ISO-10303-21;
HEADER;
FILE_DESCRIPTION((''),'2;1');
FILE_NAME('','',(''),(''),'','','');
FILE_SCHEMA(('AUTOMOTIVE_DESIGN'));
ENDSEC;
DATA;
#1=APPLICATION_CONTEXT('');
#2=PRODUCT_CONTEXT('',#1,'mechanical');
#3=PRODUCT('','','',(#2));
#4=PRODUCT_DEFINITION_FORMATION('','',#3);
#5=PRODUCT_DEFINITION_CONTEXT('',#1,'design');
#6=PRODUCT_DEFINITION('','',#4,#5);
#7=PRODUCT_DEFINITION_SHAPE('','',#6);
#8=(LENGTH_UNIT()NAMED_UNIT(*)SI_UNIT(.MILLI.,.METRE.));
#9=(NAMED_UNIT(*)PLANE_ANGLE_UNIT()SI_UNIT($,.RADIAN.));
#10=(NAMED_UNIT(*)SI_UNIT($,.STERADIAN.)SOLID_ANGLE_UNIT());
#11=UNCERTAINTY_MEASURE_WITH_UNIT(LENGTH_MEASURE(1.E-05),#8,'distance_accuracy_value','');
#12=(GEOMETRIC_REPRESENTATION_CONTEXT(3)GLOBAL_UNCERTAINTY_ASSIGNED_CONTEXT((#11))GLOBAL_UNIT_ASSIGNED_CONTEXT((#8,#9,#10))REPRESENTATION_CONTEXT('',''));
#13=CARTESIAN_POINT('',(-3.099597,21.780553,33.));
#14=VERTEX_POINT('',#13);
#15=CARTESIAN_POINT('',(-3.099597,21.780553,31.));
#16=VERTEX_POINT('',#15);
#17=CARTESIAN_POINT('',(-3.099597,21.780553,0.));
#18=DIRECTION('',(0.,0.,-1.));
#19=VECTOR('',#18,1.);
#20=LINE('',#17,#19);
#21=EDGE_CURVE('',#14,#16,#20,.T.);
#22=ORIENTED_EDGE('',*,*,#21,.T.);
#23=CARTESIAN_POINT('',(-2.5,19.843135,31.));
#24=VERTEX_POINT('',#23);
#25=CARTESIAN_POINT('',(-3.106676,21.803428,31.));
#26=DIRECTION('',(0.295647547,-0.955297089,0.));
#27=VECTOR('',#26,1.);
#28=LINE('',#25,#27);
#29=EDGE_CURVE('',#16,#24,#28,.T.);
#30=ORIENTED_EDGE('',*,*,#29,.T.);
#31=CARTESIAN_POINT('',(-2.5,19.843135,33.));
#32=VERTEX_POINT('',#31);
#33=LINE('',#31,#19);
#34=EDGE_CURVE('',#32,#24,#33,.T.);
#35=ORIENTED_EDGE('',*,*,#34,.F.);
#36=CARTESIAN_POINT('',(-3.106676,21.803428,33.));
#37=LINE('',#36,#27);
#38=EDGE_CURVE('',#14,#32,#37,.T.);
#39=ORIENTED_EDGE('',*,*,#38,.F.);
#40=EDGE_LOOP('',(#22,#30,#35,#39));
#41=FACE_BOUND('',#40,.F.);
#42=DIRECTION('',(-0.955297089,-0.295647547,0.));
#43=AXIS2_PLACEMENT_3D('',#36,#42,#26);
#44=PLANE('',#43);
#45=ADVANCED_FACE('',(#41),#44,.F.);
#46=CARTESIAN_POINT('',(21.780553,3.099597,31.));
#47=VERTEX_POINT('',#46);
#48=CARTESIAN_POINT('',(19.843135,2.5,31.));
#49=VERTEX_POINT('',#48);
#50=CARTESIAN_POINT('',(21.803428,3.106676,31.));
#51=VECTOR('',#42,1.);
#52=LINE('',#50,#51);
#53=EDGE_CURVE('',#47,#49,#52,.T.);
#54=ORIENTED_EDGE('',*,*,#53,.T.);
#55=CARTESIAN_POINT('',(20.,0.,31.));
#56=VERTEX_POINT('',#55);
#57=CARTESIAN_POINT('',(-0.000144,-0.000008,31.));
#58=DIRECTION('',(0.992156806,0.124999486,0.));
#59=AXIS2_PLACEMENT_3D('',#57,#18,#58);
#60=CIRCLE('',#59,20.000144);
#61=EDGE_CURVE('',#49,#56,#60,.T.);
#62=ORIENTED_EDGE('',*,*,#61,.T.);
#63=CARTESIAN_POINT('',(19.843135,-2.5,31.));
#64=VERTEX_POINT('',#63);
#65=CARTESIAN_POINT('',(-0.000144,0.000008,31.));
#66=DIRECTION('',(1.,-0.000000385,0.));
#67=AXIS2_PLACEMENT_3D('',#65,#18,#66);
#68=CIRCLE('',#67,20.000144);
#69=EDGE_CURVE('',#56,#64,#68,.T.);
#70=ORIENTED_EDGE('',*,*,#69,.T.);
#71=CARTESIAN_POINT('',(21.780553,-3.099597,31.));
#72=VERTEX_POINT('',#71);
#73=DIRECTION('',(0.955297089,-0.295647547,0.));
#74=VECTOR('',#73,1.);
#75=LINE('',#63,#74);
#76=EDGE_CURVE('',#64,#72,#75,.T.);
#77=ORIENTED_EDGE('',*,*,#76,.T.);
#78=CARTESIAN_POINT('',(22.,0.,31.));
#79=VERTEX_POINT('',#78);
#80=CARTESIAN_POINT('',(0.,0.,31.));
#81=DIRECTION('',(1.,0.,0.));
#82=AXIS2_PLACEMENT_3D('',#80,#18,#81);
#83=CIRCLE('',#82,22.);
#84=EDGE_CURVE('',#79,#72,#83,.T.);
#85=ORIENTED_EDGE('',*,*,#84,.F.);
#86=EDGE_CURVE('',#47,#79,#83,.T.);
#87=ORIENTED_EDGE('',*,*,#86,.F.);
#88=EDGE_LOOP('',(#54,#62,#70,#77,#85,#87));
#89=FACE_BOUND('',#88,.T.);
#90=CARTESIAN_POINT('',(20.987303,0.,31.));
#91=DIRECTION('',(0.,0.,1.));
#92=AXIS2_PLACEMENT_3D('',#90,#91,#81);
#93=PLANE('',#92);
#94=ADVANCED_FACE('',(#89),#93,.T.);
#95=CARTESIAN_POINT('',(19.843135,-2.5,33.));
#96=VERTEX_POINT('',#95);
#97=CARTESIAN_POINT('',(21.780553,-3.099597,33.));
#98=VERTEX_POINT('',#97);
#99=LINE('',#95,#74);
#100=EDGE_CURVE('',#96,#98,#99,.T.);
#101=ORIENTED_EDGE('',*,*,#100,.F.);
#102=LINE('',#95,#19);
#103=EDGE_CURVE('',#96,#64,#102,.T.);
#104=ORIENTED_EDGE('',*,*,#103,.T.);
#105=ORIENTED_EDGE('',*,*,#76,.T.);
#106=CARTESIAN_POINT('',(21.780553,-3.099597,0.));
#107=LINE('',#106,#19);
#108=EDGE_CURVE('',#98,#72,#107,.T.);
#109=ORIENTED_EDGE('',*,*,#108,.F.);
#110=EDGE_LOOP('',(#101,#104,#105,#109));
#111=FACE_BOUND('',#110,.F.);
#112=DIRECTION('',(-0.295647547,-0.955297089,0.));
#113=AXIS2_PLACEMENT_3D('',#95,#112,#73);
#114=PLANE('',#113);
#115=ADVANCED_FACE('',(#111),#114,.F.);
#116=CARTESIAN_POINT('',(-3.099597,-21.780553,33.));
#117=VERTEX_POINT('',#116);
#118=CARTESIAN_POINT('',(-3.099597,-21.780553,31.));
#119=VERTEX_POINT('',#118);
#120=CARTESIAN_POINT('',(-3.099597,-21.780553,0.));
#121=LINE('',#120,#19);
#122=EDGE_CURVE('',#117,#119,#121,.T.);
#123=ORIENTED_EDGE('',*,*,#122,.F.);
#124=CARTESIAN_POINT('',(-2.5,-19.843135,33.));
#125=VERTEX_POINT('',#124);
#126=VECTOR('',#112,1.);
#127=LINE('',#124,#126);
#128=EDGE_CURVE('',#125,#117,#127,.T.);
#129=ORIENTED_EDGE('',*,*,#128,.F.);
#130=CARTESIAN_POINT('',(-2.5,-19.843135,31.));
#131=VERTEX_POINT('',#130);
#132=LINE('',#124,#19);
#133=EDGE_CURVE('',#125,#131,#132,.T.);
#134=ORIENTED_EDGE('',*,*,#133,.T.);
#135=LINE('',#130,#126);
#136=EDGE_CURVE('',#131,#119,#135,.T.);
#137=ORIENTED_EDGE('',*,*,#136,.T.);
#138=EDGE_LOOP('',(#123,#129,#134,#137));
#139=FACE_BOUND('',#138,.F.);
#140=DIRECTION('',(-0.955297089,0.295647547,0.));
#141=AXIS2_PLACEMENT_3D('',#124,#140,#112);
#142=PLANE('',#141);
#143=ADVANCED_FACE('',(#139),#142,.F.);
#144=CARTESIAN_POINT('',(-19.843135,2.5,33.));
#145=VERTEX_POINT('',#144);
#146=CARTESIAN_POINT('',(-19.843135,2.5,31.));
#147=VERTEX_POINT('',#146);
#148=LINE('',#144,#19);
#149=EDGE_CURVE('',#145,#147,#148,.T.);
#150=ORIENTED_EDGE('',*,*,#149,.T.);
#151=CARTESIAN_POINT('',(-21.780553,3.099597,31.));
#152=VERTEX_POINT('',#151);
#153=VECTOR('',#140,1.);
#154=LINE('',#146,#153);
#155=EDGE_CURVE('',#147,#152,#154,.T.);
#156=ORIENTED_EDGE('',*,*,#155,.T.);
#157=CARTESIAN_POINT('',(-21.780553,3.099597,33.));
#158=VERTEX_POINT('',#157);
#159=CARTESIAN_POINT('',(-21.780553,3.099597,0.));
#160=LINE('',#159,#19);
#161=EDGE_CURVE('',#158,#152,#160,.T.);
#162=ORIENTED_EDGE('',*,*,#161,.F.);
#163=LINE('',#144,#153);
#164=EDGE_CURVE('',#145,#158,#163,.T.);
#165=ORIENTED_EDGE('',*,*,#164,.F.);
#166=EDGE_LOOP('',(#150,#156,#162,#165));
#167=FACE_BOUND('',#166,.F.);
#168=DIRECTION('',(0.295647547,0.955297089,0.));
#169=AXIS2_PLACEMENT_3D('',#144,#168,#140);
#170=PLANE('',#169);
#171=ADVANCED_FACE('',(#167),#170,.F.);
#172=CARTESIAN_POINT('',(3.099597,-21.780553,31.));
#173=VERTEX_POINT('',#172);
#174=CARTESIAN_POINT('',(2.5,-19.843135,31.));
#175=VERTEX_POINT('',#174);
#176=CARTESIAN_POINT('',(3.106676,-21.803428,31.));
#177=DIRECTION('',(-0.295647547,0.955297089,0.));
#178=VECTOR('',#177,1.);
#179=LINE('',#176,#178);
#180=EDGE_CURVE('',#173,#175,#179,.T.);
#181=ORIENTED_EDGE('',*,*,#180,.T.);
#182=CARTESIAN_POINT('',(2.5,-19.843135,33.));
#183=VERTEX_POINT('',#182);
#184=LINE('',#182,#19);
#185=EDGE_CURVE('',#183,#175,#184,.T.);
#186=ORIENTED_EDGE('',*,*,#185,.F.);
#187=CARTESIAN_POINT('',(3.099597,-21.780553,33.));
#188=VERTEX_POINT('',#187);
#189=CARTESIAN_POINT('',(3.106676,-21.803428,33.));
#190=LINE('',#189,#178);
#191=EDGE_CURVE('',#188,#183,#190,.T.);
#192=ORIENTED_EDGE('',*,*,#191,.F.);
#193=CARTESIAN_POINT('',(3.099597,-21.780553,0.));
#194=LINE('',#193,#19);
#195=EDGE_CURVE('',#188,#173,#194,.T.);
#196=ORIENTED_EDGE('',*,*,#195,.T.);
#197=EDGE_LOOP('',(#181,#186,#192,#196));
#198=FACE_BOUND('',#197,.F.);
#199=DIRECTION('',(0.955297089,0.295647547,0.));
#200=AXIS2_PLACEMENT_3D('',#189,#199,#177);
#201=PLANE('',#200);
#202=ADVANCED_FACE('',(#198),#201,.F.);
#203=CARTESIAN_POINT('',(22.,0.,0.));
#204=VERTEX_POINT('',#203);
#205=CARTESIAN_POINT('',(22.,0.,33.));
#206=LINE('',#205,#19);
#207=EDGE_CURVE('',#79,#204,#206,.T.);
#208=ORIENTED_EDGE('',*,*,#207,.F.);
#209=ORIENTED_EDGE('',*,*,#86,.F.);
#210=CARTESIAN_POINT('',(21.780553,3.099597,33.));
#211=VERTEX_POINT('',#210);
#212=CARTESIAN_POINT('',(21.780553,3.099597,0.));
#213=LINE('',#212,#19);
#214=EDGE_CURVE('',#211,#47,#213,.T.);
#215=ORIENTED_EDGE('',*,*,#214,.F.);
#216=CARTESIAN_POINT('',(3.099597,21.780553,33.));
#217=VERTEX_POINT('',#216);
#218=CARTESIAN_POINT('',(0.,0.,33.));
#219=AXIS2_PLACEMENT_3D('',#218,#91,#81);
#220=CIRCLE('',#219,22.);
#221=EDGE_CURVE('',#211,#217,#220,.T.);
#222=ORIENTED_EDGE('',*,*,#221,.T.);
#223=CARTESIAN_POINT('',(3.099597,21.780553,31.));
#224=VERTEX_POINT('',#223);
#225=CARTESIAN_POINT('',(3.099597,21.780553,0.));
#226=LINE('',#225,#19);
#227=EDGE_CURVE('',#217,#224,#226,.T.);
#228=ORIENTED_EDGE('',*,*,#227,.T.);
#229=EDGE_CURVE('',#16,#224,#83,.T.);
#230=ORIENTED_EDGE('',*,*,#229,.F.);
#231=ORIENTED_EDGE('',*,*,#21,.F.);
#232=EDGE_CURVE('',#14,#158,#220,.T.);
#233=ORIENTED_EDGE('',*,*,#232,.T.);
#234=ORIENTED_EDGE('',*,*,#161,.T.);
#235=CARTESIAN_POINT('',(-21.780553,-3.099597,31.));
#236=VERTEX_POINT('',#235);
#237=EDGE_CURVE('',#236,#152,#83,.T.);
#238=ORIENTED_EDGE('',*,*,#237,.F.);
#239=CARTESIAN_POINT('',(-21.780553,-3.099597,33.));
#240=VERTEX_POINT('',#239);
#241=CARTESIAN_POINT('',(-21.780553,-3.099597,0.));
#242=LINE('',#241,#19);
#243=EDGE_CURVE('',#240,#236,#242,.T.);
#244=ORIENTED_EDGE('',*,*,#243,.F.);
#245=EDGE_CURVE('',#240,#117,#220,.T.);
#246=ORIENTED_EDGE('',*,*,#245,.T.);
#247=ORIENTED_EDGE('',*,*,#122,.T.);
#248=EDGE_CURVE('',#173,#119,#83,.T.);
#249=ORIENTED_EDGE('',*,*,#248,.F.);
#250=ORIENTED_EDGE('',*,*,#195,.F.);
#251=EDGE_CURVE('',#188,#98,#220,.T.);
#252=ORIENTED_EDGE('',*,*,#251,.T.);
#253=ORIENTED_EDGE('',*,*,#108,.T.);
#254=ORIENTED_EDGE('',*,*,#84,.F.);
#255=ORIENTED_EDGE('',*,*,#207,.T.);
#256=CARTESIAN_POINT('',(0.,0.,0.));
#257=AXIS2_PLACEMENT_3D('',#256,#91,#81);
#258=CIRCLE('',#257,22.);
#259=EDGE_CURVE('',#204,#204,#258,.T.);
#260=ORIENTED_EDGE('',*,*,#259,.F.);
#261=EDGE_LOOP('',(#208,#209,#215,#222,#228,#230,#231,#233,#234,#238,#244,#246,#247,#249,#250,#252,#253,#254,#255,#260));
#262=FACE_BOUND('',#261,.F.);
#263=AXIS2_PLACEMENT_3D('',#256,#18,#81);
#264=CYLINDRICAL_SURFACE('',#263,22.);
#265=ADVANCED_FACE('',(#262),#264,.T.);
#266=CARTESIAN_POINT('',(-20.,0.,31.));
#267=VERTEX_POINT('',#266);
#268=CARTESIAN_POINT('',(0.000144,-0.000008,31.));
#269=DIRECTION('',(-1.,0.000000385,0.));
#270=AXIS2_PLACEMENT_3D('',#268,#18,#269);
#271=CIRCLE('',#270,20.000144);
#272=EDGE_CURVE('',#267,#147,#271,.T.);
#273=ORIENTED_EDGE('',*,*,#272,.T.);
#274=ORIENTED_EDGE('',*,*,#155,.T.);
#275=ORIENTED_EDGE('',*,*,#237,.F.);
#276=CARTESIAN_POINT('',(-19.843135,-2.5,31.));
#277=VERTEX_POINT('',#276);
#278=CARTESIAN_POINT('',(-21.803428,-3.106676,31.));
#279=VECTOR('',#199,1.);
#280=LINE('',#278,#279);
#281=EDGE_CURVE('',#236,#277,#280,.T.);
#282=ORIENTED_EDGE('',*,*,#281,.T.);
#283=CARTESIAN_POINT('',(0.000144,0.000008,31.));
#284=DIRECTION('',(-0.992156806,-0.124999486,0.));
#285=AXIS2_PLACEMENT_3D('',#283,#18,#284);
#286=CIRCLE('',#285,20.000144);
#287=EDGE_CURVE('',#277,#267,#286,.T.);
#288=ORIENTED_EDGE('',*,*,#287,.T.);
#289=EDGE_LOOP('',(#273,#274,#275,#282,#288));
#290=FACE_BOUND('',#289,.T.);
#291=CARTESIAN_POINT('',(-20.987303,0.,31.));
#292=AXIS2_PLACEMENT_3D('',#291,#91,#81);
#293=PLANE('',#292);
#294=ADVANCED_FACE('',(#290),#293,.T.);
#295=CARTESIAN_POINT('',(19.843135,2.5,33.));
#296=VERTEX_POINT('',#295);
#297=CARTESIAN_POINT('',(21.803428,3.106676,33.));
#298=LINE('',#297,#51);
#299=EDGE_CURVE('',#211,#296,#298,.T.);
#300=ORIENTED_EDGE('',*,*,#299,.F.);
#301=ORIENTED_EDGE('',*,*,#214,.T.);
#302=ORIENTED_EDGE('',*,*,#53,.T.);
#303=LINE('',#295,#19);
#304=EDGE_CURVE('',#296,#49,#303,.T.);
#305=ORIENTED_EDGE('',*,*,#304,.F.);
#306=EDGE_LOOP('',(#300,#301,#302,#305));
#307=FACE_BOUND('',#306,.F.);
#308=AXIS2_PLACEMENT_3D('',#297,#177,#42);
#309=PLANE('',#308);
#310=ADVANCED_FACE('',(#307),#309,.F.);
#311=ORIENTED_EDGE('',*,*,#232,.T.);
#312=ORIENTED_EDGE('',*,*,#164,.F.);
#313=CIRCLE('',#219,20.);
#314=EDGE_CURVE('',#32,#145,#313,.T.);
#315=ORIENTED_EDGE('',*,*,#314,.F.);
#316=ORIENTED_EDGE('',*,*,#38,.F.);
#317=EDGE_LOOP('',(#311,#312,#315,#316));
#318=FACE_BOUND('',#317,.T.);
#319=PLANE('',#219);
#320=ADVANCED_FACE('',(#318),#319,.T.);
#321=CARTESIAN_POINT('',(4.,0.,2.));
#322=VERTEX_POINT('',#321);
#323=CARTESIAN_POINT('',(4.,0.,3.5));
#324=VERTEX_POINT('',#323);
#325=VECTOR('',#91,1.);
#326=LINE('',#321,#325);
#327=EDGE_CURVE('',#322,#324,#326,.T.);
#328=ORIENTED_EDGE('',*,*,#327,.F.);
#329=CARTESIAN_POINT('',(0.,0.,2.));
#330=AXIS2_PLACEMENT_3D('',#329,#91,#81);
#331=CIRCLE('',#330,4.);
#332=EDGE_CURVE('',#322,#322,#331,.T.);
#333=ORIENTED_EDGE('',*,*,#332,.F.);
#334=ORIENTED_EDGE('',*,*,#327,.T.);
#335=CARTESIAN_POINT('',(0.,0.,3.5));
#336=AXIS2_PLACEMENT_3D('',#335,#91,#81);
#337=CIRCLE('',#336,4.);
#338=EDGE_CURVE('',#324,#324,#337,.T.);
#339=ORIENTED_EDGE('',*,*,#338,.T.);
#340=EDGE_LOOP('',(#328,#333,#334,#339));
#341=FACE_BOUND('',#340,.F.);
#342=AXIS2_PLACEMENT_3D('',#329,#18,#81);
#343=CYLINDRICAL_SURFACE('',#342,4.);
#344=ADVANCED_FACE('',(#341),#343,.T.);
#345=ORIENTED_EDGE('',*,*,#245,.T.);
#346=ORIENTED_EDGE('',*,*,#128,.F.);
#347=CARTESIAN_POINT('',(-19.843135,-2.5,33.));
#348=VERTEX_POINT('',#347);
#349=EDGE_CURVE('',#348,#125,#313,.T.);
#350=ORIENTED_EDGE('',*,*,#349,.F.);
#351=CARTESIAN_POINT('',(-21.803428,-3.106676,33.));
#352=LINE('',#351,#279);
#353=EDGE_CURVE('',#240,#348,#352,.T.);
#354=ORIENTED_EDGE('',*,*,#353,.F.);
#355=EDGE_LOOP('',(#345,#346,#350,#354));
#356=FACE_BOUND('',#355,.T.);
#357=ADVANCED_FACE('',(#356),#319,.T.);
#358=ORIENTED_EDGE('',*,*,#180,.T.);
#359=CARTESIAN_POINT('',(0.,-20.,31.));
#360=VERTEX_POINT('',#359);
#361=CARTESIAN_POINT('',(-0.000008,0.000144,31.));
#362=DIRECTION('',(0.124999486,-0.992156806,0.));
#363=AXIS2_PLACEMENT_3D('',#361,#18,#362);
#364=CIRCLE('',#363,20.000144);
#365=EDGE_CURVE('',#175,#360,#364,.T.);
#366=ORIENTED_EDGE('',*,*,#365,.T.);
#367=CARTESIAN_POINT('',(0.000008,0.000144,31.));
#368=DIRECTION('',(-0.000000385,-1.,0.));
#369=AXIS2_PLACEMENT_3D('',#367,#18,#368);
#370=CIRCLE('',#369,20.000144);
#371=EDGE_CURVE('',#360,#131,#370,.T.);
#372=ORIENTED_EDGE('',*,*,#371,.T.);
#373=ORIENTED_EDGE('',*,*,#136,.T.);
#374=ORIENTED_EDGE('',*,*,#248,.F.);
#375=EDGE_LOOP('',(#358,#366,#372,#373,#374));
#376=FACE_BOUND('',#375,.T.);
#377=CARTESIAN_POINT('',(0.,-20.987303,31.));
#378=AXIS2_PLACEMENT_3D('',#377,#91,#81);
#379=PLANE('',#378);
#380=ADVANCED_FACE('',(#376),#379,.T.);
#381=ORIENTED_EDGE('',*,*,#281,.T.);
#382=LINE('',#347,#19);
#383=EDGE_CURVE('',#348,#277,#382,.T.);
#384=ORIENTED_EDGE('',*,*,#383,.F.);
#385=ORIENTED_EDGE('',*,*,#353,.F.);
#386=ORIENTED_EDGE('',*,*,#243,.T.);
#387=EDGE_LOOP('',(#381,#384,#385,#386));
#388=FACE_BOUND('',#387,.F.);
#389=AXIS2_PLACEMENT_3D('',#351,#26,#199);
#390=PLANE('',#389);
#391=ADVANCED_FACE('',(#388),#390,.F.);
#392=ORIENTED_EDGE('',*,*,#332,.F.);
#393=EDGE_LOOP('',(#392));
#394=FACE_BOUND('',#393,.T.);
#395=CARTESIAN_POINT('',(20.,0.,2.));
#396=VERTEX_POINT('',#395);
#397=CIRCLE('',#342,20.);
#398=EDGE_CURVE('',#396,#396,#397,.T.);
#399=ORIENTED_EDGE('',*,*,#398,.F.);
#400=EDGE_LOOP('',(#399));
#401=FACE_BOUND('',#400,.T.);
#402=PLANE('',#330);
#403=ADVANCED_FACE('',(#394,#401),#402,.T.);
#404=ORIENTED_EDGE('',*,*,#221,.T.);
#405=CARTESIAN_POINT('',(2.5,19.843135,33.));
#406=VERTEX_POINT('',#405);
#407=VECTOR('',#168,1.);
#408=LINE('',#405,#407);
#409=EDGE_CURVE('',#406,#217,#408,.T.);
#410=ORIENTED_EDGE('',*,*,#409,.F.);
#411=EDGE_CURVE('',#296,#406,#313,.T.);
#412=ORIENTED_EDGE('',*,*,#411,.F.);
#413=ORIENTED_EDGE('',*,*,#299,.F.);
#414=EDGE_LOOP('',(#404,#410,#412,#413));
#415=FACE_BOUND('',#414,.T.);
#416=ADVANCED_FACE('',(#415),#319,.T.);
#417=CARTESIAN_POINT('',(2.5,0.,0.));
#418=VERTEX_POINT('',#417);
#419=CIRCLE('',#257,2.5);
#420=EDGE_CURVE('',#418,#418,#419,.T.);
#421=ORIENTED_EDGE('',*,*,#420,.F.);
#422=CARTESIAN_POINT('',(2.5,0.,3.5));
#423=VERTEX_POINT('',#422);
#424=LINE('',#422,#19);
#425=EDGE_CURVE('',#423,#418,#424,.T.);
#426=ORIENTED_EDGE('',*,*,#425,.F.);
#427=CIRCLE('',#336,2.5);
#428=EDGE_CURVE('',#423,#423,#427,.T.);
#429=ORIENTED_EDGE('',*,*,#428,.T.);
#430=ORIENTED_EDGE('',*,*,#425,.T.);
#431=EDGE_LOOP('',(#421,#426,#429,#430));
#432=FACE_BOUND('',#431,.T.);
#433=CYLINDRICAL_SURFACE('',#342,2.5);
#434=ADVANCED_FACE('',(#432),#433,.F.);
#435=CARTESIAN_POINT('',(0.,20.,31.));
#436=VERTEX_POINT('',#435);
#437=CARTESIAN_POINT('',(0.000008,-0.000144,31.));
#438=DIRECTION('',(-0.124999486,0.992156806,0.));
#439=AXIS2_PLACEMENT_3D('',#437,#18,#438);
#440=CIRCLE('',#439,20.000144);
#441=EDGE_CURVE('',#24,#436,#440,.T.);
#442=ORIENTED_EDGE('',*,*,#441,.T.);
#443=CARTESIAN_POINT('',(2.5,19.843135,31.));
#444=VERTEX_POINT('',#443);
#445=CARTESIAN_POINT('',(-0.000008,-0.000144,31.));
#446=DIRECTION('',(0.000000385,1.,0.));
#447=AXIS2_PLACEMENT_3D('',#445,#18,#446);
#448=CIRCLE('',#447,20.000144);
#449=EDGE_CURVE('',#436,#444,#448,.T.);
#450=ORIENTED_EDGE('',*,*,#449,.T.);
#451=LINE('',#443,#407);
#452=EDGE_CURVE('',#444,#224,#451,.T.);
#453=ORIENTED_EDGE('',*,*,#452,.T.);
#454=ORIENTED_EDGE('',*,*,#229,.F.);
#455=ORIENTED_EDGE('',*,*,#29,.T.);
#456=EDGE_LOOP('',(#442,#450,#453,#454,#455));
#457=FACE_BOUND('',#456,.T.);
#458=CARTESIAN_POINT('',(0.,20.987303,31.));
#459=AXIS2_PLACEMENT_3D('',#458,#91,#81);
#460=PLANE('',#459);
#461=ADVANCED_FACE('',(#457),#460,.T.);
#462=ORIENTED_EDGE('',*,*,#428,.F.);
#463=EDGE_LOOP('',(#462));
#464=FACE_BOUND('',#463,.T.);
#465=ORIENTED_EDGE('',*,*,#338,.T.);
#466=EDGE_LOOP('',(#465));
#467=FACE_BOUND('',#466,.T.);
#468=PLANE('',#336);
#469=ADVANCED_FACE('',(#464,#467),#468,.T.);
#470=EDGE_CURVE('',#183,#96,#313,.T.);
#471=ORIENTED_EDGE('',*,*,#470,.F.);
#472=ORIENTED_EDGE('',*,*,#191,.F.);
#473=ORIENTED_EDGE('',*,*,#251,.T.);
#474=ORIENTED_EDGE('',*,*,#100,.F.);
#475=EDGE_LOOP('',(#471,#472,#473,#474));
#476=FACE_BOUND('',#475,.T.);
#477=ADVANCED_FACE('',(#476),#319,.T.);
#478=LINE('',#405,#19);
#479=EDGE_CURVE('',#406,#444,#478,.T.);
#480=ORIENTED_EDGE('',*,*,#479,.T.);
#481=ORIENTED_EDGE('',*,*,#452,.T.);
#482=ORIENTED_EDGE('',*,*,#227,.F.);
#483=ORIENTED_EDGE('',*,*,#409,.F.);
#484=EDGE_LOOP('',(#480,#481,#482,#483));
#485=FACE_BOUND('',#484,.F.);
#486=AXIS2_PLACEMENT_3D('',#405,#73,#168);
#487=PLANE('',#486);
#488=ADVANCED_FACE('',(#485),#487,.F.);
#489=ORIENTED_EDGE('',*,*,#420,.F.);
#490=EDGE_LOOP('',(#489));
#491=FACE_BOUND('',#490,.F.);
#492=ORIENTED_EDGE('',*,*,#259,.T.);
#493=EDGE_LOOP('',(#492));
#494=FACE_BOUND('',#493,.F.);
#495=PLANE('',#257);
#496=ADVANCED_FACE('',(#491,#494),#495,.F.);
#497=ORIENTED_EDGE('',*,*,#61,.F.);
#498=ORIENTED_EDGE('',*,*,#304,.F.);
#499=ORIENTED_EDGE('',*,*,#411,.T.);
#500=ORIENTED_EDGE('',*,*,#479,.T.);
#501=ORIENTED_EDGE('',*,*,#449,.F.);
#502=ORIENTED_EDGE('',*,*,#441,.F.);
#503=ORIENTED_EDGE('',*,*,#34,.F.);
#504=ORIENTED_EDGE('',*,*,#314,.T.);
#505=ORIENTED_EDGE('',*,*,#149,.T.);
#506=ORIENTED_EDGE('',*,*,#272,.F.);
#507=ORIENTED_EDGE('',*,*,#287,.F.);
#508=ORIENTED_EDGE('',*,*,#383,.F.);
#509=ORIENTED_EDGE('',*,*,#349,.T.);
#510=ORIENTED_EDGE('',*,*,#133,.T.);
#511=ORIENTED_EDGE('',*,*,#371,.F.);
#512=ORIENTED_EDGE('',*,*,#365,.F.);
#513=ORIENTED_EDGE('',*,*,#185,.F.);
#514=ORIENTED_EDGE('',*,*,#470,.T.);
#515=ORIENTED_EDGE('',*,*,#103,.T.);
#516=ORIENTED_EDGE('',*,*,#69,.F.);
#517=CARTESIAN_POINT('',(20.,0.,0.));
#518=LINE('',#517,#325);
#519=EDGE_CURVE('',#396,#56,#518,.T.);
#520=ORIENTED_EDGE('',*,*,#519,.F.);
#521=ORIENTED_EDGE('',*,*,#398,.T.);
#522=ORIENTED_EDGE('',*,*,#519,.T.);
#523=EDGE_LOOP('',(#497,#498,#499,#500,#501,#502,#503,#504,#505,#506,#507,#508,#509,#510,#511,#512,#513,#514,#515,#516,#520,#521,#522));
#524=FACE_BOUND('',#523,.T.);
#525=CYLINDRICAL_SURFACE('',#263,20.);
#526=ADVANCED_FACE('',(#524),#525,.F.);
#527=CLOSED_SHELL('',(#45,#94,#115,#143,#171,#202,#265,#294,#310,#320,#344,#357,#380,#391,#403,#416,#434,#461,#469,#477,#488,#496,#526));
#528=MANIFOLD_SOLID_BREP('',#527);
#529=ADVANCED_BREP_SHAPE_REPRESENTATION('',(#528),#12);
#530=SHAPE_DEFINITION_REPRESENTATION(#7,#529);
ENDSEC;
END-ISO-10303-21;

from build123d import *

# Parameters (mm, degrees)
F0_R     = 22
F0_R_2   = 20
F1_DEPTH = 33
F2_R     = 22
F2_R_2   = 2.5
F3_DEPTH = 2
F5_DEPTH = 2
F6_R     = 4
F6_R_2   = 2.5
F7_DEPTH = 1.5


with BuildPart() as f1:
    # F0 (on Top) → F1 (new body)
    with BuildSketch(Plane.XY):
        Circle(F0_R)
        Circle(F0_R_2, mode=Mode.SUBTRACT)
    extrude(amount=F1_DEPTH)

    # F2 (on Top) → F3 (join)
    with BuildSketch(Plane.XY):
        Circle(F2_R)
        Circle(F2_R_2, mode=Mode.SUBTRACT)
    extrude(amount=F3_DEPTH)

    # F4 (on face) → F5 (cut)
    with BuildSketch(Plane.XY.offset(33)):
        with BuildLine():
            Line((-3.106676, 21.803428), (-2.5, 19.843135))
            ThreePointArc((-2.5, 19.843135), (-1.252458, 19.960745), (0, 20))
            ThreePointArc((0, 20), (1.252458, 19.960745), (2.5, 19.843135))
            Line((2.5, 19.843135), (3.106676, 21.803428))
            ThreePointArc((3.106676, 21.803428), (0, 22.023645), (-3.106676, 21.803428))
        make_face()
        with BuildLine():
            Line((-21.803428, -3.106676), (-19.843135, -2.5))
            ThreePointArc((-19.843135, -2.5), (-19.960745, -1.252458), (-20, 0))
            ThreePointArc((-20, 0), (-19.960745, 1.252458), (-19.843135, 2.5))
            Line((-19.843135, 2.5), (-21.803428, 3.106676))
            ThreePointArc((-21.803428, 3.106676), (-22.023645, 0), (-21.803428, -3.106676))
        make_face()
        with BuildLine():
            Line((3.106676, -21.803428), (2.5, -19.843135))
            ThreePointArc((2.5, -19.843135), (1.252458, -19.960745), (0, -20))
            ThreePointArc((0, -20), (-1.252458, -19.960745), (-2.5, -19.843135))
            Line((-2.5, -19.843135), (-3.106676, -21.803428))
            ThreePointArc((-3.106676, -21.803428), (0, -22.023645), (3.106676, -21.803428))
        make_face()
        with BuildLine():
            Line((21.803428, 3.106676), (19.843135, 2.5))
            ThreePointArc((19.843135, 2.5), (19.960745, 1.252458), (20, 0))
            ThreePointArc((20, 0), (19.960745, -1.252458), (19.843135, -2.5))
            Line((19.843135, -2.5), (21.803428, -3.106676))
            ThreePointArc((21.803428, -3.106676), (22.023645, 0), (21.803428, 3.106676))
        make_face()
    extrude(amount=-F5_DEPTH, mode=Mode.SUBTRACT)

    # F6 (on face) → F7 (join)
    with BuildSketch(Plane.XY.offset(2)):
        Circle(F6_R)
        Circle(F6_R_2, mode=Mode.SUBTRACT)
    extrude(amount=F7_DEPTH)


solid = f1.part
